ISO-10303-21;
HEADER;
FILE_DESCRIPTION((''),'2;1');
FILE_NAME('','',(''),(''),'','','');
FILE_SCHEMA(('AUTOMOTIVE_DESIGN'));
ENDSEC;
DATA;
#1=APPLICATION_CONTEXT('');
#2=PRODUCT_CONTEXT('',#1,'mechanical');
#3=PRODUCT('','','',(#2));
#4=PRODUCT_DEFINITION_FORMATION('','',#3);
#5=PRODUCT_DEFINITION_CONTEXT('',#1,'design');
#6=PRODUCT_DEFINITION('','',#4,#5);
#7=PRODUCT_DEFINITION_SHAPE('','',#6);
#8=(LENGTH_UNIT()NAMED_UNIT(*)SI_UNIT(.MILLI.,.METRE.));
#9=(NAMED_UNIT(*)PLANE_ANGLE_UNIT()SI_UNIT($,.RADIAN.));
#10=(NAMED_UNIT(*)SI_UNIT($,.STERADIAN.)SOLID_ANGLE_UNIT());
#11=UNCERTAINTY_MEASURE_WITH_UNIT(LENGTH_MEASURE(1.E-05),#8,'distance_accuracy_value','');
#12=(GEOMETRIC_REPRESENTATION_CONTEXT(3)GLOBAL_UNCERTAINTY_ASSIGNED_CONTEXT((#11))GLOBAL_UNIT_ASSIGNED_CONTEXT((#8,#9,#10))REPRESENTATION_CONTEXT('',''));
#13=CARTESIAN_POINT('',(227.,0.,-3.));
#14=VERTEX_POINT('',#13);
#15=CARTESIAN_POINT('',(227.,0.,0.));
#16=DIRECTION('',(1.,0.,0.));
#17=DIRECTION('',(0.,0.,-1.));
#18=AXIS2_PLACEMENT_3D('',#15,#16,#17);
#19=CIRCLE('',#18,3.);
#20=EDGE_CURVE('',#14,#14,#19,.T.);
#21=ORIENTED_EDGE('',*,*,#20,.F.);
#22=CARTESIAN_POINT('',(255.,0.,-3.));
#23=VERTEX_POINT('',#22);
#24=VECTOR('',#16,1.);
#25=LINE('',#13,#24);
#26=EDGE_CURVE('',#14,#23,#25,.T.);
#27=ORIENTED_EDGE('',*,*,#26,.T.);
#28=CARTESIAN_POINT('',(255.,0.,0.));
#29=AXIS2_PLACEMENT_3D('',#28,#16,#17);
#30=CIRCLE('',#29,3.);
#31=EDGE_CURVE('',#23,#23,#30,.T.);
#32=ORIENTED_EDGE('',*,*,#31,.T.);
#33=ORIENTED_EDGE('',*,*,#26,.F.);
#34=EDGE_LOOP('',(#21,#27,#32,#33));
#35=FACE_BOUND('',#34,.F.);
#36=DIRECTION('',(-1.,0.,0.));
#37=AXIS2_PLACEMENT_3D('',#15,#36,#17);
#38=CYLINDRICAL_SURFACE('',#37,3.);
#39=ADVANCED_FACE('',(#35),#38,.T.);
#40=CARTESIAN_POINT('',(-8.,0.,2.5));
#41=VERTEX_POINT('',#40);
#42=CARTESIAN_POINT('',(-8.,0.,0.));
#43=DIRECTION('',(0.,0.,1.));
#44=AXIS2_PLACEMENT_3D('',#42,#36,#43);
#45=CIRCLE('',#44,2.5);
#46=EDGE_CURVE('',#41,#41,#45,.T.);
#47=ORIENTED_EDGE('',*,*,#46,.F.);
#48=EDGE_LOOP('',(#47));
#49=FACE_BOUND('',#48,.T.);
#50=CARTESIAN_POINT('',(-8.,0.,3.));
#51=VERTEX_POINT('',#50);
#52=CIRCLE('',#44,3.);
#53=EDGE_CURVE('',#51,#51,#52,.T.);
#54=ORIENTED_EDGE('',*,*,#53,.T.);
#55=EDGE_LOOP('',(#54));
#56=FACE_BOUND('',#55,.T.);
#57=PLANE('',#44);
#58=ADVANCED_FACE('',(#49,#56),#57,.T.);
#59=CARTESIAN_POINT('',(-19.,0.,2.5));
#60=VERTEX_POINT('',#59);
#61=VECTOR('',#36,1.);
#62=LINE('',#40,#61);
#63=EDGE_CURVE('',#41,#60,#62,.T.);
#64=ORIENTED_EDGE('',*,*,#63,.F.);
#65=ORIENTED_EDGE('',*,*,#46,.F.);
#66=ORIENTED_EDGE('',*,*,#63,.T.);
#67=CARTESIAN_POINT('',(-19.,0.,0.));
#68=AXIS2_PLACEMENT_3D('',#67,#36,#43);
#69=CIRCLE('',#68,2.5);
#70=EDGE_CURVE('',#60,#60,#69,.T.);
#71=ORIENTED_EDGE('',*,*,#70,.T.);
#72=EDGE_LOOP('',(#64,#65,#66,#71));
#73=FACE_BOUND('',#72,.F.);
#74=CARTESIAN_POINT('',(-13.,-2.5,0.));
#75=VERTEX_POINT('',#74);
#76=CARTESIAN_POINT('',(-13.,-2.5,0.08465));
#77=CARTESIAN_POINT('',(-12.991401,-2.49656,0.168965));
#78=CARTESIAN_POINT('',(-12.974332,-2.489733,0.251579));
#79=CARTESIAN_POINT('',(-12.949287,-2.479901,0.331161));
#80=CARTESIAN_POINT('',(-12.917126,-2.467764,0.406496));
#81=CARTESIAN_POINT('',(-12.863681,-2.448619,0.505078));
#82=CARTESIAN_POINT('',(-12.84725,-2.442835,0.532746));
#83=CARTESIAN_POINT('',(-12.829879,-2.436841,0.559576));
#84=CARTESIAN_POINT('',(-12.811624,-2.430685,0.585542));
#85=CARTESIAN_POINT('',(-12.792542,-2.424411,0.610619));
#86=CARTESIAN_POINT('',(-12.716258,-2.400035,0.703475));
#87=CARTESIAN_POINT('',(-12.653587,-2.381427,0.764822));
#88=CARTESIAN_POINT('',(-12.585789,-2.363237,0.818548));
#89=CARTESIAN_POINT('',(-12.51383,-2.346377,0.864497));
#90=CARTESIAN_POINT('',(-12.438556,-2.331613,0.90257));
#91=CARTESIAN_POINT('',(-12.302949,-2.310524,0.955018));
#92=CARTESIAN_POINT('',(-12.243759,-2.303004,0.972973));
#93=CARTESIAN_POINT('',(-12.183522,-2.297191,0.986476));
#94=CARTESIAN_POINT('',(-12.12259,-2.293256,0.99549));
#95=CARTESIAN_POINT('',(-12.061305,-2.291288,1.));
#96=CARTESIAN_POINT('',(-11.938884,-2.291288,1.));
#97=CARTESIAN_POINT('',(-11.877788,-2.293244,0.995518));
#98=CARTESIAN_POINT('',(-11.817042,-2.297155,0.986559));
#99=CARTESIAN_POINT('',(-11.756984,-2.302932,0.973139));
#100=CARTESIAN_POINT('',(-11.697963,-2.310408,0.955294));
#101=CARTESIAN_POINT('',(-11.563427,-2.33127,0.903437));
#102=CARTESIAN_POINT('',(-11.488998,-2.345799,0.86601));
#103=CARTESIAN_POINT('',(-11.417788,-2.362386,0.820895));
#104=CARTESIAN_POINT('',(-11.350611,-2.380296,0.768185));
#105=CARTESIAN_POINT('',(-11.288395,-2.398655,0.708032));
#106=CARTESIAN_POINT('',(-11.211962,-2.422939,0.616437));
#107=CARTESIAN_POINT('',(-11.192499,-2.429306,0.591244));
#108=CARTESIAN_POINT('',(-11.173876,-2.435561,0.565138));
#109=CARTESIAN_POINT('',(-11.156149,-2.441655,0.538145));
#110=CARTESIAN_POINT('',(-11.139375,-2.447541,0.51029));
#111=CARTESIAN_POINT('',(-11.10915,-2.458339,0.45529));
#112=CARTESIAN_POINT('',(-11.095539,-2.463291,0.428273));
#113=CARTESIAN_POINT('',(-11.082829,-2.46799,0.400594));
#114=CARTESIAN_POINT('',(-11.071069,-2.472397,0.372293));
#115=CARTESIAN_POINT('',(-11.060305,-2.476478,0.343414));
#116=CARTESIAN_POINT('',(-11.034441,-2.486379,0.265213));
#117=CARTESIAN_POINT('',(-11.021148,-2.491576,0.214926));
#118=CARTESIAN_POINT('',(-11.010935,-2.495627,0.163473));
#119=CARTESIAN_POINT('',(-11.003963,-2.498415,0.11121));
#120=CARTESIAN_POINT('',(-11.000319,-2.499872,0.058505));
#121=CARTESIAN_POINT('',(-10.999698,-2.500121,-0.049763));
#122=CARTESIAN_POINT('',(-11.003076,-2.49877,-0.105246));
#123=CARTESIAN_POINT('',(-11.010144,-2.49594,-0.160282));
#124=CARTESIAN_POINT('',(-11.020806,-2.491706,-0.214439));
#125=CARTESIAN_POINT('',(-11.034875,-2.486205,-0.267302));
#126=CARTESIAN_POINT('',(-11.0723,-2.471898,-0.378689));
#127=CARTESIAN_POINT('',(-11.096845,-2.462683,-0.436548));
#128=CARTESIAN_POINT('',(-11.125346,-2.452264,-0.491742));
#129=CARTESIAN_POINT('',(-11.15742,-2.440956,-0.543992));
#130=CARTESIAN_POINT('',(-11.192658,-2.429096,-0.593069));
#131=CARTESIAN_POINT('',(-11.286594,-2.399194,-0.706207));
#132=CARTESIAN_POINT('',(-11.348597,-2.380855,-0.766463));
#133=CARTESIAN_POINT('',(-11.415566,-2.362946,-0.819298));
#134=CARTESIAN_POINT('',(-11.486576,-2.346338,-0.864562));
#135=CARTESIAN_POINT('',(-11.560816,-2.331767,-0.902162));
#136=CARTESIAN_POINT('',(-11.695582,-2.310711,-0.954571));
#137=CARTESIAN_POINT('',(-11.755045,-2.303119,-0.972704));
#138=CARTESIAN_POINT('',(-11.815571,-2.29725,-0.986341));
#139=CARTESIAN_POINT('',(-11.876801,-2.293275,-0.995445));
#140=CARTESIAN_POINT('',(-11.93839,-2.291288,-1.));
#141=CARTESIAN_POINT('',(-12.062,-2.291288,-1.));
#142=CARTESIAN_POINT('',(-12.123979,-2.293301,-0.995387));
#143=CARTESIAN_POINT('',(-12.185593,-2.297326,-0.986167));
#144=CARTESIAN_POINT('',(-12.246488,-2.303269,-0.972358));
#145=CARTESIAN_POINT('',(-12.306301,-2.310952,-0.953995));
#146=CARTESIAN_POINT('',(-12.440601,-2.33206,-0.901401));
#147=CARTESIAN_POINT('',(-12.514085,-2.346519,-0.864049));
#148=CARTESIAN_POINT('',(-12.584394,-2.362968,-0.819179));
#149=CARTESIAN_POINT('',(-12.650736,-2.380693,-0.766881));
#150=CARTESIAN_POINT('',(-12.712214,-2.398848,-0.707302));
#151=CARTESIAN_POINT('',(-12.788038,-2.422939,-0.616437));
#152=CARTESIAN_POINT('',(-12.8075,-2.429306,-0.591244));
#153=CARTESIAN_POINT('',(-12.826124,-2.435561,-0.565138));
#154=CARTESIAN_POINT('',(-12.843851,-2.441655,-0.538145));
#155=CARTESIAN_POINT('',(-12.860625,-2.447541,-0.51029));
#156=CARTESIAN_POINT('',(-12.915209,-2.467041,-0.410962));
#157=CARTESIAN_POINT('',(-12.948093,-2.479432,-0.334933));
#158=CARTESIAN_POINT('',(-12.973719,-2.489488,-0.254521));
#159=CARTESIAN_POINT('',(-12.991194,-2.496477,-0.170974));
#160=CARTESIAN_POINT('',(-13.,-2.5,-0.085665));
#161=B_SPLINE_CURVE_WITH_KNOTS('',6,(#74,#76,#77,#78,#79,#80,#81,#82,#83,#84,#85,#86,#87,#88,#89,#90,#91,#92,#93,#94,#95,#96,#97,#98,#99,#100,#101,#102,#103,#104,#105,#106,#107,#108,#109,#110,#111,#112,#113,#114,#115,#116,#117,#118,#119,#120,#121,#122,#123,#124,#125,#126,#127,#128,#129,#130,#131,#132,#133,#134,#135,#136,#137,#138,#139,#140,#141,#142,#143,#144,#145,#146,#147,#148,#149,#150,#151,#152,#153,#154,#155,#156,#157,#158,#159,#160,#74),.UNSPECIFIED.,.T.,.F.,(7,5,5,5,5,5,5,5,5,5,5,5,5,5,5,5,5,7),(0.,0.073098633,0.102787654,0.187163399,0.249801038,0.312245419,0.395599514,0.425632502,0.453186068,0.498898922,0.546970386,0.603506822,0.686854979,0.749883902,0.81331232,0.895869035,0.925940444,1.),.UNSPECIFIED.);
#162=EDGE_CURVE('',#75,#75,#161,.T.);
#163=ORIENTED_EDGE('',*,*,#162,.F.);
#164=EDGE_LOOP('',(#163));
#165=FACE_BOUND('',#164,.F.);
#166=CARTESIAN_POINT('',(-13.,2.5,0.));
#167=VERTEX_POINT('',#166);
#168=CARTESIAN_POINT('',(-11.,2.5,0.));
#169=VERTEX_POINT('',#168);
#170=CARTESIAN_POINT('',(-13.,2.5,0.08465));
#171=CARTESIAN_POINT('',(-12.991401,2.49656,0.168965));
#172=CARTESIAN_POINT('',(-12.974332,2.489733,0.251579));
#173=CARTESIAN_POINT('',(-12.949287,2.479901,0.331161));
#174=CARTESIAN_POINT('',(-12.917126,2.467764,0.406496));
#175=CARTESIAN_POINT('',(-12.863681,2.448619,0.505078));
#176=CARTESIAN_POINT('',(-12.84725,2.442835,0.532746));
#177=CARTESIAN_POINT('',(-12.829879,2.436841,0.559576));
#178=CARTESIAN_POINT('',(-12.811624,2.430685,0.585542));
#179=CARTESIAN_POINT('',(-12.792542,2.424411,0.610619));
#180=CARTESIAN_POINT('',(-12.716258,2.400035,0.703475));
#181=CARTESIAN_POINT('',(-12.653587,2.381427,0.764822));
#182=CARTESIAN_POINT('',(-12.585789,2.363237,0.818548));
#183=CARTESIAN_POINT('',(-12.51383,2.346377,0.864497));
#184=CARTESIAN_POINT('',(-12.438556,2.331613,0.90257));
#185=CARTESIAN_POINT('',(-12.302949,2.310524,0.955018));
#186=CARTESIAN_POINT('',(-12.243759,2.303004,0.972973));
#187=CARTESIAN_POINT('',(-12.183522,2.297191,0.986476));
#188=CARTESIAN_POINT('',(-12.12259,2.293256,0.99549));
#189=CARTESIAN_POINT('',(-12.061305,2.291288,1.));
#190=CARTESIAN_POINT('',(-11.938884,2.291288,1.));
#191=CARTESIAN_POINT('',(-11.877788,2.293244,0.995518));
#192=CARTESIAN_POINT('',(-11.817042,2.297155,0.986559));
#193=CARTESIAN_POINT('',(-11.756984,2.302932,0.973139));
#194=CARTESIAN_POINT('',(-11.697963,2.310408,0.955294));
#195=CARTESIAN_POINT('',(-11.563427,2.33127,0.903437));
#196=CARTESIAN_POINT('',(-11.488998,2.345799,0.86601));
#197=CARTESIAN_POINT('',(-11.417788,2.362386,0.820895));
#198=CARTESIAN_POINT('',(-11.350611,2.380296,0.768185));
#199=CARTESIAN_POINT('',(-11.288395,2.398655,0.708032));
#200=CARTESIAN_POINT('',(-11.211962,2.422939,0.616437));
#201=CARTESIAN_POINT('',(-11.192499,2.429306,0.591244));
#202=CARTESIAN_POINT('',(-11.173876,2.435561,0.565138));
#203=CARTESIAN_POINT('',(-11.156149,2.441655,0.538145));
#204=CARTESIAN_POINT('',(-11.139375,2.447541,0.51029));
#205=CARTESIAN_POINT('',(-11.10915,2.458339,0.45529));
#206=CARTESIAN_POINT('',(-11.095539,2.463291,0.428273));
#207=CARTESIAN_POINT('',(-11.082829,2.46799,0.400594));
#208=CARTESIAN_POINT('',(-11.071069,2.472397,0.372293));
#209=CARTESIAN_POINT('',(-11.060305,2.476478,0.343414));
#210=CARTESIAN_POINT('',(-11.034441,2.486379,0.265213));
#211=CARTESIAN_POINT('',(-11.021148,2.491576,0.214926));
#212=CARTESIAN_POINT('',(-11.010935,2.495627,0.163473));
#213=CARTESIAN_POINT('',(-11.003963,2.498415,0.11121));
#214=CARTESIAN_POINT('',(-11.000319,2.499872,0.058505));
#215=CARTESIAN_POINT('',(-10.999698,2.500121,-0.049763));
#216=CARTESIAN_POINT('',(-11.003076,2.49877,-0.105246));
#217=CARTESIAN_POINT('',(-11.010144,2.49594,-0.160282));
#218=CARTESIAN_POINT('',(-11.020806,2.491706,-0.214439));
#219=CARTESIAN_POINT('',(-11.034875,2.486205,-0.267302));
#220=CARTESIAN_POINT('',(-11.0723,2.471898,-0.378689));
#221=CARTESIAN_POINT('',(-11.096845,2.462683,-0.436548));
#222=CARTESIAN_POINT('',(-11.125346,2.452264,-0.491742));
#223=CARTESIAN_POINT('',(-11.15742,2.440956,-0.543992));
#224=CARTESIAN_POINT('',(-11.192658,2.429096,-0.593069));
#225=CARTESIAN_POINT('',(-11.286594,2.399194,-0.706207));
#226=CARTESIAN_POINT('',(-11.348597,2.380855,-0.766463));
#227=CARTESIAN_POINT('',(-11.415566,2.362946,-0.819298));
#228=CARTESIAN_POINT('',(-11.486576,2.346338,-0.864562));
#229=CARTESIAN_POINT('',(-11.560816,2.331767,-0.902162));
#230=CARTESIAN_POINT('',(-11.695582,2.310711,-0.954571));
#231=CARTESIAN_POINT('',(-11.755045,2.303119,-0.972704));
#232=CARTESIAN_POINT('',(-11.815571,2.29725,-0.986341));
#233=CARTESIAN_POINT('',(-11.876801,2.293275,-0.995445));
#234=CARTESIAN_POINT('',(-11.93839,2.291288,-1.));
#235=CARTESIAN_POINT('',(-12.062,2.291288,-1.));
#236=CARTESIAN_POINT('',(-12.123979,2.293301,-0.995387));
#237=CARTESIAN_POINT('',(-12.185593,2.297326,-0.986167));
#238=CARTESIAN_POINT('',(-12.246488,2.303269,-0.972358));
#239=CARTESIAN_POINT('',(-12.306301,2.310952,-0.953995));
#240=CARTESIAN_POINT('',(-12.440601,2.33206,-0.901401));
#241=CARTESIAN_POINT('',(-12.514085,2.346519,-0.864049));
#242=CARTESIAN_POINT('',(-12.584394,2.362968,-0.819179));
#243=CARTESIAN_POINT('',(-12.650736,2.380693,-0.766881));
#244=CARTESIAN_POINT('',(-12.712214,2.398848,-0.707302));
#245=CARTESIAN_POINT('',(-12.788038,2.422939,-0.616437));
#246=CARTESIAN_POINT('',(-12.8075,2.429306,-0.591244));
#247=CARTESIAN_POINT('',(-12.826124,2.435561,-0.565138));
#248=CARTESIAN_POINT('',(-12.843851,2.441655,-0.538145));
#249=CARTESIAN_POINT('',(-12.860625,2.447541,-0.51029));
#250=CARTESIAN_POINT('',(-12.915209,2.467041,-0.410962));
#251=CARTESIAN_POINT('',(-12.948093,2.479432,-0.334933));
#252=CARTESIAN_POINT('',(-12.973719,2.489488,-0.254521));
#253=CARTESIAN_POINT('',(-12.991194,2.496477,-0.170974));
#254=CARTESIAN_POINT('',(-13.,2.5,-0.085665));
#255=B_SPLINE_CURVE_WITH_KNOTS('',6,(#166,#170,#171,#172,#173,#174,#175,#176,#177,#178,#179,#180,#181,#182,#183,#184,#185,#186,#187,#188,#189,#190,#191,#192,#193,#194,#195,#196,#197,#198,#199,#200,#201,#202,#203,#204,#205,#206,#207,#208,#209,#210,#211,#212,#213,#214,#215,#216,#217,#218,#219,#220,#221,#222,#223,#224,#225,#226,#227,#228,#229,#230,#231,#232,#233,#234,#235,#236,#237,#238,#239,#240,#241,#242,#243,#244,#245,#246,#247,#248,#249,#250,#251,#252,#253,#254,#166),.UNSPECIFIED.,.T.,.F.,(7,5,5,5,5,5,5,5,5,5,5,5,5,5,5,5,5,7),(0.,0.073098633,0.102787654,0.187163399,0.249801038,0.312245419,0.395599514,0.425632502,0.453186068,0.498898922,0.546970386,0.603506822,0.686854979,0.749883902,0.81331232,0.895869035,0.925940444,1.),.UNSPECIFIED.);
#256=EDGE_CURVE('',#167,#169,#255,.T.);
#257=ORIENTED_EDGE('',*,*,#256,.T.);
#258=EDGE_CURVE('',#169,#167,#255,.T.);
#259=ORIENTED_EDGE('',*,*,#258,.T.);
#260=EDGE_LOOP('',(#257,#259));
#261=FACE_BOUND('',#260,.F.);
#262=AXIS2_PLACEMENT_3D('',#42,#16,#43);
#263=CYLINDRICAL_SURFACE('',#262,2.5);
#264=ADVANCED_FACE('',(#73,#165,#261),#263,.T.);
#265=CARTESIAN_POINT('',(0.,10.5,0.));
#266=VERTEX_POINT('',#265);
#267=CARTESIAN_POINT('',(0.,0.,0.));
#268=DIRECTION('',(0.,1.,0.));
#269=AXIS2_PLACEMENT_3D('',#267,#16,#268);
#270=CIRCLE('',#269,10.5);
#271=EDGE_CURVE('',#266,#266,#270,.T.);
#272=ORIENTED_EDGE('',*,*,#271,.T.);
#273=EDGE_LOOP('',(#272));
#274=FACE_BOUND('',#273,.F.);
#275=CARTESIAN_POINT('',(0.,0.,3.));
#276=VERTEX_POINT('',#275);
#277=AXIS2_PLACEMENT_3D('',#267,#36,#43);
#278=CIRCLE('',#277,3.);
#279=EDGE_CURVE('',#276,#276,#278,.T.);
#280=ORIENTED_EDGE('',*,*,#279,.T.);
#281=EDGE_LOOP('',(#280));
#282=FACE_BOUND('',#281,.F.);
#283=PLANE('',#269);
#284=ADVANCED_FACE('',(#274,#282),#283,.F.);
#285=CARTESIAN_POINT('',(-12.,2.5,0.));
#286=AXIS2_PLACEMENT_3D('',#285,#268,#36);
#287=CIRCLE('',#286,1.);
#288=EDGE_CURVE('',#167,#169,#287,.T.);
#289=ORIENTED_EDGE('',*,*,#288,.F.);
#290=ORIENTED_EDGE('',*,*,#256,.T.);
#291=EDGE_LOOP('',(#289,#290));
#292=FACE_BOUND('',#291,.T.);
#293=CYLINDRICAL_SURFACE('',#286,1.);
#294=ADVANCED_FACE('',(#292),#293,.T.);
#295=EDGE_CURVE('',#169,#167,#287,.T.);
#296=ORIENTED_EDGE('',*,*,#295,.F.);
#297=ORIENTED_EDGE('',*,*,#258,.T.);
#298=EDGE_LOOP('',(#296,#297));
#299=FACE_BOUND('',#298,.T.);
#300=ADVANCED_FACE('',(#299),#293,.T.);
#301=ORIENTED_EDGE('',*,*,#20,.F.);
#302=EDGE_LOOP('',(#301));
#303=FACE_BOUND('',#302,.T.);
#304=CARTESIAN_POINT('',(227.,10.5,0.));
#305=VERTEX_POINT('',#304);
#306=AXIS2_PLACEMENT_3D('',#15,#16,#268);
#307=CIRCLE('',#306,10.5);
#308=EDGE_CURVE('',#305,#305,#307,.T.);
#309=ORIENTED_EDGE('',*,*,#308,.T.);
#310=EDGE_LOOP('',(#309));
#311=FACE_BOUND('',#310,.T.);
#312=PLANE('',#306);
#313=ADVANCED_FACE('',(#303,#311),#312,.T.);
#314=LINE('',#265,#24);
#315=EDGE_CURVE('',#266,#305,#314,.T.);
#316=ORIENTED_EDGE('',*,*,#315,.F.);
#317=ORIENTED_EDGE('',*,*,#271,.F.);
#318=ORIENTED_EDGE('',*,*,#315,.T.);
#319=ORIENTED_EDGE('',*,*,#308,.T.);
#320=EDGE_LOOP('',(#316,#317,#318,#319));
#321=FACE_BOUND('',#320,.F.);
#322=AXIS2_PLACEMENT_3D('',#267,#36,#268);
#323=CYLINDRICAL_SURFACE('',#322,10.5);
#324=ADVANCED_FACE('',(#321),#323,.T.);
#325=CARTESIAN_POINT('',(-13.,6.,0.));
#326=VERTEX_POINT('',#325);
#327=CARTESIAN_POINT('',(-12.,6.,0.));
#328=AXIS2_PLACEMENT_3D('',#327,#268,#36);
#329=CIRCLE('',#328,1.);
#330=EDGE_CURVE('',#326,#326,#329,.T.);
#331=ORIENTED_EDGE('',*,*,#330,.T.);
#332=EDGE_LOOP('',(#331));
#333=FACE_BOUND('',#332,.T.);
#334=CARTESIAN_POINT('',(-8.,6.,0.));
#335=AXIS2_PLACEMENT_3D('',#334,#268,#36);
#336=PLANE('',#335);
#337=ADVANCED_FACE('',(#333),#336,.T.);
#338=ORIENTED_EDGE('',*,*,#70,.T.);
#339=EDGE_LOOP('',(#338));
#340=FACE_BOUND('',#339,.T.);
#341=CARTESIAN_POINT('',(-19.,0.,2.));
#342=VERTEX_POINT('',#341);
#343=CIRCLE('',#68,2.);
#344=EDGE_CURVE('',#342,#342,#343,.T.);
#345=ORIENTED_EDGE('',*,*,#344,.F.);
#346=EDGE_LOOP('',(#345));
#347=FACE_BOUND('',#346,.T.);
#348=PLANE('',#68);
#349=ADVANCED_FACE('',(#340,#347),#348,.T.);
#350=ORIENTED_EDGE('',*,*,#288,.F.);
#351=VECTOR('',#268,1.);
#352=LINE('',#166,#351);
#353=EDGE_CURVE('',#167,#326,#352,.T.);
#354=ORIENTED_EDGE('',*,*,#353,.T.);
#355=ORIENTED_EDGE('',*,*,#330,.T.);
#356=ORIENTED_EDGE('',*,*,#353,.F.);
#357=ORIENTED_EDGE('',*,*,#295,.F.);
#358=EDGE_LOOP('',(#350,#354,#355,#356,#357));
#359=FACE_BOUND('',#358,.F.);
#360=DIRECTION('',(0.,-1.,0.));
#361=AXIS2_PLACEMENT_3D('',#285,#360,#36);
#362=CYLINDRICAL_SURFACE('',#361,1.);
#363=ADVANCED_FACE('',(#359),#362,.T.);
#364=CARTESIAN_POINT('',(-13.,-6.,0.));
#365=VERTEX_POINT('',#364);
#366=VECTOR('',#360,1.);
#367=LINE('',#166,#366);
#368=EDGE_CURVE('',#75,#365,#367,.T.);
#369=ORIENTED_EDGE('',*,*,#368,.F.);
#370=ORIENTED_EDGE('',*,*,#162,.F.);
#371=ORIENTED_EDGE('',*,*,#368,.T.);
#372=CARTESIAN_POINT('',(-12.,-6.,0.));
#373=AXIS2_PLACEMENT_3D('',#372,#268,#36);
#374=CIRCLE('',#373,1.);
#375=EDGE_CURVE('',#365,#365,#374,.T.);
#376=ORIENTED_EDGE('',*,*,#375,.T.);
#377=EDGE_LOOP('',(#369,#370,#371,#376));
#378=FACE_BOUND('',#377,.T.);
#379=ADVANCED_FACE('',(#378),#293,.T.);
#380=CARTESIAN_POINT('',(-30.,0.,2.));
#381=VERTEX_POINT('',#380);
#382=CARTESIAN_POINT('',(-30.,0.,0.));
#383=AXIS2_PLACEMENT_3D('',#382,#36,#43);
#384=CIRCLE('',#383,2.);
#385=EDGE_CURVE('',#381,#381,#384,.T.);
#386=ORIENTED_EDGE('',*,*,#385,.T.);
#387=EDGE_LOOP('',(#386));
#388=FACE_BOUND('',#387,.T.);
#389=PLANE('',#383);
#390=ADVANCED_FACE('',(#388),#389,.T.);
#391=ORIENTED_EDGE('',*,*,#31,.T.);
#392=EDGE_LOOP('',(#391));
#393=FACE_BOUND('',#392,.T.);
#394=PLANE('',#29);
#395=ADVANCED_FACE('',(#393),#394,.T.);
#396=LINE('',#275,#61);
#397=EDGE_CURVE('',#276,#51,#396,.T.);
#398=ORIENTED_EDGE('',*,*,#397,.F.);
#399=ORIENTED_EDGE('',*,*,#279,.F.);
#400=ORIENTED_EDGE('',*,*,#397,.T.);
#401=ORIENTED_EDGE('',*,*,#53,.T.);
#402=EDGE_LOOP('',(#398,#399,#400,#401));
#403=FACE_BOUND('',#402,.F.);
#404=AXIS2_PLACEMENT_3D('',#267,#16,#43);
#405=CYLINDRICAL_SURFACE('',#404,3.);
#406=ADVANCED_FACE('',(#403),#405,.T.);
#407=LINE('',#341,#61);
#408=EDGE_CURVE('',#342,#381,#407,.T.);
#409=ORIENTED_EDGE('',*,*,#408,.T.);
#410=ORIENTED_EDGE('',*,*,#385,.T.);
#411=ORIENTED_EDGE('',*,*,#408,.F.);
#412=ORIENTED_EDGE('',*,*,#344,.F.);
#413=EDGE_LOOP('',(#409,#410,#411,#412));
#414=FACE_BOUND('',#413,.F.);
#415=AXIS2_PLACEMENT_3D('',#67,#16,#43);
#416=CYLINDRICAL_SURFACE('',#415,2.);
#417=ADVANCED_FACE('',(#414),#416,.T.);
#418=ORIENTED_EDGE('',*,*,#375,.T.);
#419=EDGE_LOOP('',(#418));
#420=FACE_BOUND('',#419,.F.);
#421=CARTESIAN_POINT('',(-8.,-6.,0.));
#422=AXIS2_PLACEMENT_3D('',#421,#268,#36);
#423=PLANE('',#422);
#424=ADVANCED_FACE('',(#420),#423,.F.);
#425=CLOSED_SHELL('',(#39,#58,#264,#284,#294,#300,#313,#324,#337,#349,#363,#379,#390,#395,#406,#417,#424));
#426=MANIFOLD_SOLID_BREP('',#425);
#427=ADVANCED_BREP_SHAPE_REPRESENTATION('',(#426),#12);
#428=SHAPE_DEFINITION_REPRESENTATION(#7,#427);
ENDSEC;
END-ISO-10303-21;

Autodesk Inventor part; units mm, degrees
ref_plane "YZ Plane" through (0, 0, 0) normal (1, 0, 0) x (0, 1, 0)
ref_plane "XY Plane" through (0, 0, 0) normal (0, 0, 1) x (1, 0, 0)
sketch "Sketch1" plane through (0, 0, 0) normal (1, 0, 0) x (0, 1, 0)
  circle A0 centre (0, 0) radius 10.5
  dimension "d0" = 21
extrude "Extrusion1" add sketch "Sketch1" along normal blind 227
sketch "Sketch2" plane through (227, 0, 0) normal (1, 0, 0) x (0, 0, -1)
  circle A0 centre (0, 0) radius 3
  dimension "d3" = 6
sketch "Sketch3" plane through (0, 0, 0) normal (-1, 0, 0) x (0, 0, 1)
  circle A0 centre (0, 0) radius 3
  dimension "d4" = 6
extrude "Extrusion2" add sketch "Sketch3" along normal blind 8
extrude "Extrusion3" add sketch "Sketch2" along normal blind 28
sketch "Sketch4" plane through (-8, 0, 0) normal (-1, 0, 0) x (0, 0, 1)
  circle A0 centre (0, 0) radius 2.5
  dimension "d9" = 5
extrude "Extrusion4" add sketch "Sketch4" along normal blind 11
ref_plane "Work Plane1" through (-8, 2.5, 0) normal (0, 1, 0) x (-1, 0, 0)
sketch "Sketch5" plane through (-8, 2.5, 0) normal (0, 1, 0) x (-1, 0, 0)
  circle A0 centre (4, 0) radius 1
  line L0 (0, -3) -> (0, 3) projected
  point P0 (-8, 0)
  dimension "d12" = 2
  dimension "d13" = 4
extrude "Extrusion5" add sketch "Sketch5" along normal blind 3.5 and the other way blind 8.5
sketch "Sketch6" plane through (-19, 0, 0) normal (-1, 0, 0) x (0, 0, 1)
  circle A0 centre (0, 0) radius 2
  dimension "d16" = 4
extrude "Extrusion6" add sketch "Sketch6" along normal blind 11
properties part number "RouleauFriction"
